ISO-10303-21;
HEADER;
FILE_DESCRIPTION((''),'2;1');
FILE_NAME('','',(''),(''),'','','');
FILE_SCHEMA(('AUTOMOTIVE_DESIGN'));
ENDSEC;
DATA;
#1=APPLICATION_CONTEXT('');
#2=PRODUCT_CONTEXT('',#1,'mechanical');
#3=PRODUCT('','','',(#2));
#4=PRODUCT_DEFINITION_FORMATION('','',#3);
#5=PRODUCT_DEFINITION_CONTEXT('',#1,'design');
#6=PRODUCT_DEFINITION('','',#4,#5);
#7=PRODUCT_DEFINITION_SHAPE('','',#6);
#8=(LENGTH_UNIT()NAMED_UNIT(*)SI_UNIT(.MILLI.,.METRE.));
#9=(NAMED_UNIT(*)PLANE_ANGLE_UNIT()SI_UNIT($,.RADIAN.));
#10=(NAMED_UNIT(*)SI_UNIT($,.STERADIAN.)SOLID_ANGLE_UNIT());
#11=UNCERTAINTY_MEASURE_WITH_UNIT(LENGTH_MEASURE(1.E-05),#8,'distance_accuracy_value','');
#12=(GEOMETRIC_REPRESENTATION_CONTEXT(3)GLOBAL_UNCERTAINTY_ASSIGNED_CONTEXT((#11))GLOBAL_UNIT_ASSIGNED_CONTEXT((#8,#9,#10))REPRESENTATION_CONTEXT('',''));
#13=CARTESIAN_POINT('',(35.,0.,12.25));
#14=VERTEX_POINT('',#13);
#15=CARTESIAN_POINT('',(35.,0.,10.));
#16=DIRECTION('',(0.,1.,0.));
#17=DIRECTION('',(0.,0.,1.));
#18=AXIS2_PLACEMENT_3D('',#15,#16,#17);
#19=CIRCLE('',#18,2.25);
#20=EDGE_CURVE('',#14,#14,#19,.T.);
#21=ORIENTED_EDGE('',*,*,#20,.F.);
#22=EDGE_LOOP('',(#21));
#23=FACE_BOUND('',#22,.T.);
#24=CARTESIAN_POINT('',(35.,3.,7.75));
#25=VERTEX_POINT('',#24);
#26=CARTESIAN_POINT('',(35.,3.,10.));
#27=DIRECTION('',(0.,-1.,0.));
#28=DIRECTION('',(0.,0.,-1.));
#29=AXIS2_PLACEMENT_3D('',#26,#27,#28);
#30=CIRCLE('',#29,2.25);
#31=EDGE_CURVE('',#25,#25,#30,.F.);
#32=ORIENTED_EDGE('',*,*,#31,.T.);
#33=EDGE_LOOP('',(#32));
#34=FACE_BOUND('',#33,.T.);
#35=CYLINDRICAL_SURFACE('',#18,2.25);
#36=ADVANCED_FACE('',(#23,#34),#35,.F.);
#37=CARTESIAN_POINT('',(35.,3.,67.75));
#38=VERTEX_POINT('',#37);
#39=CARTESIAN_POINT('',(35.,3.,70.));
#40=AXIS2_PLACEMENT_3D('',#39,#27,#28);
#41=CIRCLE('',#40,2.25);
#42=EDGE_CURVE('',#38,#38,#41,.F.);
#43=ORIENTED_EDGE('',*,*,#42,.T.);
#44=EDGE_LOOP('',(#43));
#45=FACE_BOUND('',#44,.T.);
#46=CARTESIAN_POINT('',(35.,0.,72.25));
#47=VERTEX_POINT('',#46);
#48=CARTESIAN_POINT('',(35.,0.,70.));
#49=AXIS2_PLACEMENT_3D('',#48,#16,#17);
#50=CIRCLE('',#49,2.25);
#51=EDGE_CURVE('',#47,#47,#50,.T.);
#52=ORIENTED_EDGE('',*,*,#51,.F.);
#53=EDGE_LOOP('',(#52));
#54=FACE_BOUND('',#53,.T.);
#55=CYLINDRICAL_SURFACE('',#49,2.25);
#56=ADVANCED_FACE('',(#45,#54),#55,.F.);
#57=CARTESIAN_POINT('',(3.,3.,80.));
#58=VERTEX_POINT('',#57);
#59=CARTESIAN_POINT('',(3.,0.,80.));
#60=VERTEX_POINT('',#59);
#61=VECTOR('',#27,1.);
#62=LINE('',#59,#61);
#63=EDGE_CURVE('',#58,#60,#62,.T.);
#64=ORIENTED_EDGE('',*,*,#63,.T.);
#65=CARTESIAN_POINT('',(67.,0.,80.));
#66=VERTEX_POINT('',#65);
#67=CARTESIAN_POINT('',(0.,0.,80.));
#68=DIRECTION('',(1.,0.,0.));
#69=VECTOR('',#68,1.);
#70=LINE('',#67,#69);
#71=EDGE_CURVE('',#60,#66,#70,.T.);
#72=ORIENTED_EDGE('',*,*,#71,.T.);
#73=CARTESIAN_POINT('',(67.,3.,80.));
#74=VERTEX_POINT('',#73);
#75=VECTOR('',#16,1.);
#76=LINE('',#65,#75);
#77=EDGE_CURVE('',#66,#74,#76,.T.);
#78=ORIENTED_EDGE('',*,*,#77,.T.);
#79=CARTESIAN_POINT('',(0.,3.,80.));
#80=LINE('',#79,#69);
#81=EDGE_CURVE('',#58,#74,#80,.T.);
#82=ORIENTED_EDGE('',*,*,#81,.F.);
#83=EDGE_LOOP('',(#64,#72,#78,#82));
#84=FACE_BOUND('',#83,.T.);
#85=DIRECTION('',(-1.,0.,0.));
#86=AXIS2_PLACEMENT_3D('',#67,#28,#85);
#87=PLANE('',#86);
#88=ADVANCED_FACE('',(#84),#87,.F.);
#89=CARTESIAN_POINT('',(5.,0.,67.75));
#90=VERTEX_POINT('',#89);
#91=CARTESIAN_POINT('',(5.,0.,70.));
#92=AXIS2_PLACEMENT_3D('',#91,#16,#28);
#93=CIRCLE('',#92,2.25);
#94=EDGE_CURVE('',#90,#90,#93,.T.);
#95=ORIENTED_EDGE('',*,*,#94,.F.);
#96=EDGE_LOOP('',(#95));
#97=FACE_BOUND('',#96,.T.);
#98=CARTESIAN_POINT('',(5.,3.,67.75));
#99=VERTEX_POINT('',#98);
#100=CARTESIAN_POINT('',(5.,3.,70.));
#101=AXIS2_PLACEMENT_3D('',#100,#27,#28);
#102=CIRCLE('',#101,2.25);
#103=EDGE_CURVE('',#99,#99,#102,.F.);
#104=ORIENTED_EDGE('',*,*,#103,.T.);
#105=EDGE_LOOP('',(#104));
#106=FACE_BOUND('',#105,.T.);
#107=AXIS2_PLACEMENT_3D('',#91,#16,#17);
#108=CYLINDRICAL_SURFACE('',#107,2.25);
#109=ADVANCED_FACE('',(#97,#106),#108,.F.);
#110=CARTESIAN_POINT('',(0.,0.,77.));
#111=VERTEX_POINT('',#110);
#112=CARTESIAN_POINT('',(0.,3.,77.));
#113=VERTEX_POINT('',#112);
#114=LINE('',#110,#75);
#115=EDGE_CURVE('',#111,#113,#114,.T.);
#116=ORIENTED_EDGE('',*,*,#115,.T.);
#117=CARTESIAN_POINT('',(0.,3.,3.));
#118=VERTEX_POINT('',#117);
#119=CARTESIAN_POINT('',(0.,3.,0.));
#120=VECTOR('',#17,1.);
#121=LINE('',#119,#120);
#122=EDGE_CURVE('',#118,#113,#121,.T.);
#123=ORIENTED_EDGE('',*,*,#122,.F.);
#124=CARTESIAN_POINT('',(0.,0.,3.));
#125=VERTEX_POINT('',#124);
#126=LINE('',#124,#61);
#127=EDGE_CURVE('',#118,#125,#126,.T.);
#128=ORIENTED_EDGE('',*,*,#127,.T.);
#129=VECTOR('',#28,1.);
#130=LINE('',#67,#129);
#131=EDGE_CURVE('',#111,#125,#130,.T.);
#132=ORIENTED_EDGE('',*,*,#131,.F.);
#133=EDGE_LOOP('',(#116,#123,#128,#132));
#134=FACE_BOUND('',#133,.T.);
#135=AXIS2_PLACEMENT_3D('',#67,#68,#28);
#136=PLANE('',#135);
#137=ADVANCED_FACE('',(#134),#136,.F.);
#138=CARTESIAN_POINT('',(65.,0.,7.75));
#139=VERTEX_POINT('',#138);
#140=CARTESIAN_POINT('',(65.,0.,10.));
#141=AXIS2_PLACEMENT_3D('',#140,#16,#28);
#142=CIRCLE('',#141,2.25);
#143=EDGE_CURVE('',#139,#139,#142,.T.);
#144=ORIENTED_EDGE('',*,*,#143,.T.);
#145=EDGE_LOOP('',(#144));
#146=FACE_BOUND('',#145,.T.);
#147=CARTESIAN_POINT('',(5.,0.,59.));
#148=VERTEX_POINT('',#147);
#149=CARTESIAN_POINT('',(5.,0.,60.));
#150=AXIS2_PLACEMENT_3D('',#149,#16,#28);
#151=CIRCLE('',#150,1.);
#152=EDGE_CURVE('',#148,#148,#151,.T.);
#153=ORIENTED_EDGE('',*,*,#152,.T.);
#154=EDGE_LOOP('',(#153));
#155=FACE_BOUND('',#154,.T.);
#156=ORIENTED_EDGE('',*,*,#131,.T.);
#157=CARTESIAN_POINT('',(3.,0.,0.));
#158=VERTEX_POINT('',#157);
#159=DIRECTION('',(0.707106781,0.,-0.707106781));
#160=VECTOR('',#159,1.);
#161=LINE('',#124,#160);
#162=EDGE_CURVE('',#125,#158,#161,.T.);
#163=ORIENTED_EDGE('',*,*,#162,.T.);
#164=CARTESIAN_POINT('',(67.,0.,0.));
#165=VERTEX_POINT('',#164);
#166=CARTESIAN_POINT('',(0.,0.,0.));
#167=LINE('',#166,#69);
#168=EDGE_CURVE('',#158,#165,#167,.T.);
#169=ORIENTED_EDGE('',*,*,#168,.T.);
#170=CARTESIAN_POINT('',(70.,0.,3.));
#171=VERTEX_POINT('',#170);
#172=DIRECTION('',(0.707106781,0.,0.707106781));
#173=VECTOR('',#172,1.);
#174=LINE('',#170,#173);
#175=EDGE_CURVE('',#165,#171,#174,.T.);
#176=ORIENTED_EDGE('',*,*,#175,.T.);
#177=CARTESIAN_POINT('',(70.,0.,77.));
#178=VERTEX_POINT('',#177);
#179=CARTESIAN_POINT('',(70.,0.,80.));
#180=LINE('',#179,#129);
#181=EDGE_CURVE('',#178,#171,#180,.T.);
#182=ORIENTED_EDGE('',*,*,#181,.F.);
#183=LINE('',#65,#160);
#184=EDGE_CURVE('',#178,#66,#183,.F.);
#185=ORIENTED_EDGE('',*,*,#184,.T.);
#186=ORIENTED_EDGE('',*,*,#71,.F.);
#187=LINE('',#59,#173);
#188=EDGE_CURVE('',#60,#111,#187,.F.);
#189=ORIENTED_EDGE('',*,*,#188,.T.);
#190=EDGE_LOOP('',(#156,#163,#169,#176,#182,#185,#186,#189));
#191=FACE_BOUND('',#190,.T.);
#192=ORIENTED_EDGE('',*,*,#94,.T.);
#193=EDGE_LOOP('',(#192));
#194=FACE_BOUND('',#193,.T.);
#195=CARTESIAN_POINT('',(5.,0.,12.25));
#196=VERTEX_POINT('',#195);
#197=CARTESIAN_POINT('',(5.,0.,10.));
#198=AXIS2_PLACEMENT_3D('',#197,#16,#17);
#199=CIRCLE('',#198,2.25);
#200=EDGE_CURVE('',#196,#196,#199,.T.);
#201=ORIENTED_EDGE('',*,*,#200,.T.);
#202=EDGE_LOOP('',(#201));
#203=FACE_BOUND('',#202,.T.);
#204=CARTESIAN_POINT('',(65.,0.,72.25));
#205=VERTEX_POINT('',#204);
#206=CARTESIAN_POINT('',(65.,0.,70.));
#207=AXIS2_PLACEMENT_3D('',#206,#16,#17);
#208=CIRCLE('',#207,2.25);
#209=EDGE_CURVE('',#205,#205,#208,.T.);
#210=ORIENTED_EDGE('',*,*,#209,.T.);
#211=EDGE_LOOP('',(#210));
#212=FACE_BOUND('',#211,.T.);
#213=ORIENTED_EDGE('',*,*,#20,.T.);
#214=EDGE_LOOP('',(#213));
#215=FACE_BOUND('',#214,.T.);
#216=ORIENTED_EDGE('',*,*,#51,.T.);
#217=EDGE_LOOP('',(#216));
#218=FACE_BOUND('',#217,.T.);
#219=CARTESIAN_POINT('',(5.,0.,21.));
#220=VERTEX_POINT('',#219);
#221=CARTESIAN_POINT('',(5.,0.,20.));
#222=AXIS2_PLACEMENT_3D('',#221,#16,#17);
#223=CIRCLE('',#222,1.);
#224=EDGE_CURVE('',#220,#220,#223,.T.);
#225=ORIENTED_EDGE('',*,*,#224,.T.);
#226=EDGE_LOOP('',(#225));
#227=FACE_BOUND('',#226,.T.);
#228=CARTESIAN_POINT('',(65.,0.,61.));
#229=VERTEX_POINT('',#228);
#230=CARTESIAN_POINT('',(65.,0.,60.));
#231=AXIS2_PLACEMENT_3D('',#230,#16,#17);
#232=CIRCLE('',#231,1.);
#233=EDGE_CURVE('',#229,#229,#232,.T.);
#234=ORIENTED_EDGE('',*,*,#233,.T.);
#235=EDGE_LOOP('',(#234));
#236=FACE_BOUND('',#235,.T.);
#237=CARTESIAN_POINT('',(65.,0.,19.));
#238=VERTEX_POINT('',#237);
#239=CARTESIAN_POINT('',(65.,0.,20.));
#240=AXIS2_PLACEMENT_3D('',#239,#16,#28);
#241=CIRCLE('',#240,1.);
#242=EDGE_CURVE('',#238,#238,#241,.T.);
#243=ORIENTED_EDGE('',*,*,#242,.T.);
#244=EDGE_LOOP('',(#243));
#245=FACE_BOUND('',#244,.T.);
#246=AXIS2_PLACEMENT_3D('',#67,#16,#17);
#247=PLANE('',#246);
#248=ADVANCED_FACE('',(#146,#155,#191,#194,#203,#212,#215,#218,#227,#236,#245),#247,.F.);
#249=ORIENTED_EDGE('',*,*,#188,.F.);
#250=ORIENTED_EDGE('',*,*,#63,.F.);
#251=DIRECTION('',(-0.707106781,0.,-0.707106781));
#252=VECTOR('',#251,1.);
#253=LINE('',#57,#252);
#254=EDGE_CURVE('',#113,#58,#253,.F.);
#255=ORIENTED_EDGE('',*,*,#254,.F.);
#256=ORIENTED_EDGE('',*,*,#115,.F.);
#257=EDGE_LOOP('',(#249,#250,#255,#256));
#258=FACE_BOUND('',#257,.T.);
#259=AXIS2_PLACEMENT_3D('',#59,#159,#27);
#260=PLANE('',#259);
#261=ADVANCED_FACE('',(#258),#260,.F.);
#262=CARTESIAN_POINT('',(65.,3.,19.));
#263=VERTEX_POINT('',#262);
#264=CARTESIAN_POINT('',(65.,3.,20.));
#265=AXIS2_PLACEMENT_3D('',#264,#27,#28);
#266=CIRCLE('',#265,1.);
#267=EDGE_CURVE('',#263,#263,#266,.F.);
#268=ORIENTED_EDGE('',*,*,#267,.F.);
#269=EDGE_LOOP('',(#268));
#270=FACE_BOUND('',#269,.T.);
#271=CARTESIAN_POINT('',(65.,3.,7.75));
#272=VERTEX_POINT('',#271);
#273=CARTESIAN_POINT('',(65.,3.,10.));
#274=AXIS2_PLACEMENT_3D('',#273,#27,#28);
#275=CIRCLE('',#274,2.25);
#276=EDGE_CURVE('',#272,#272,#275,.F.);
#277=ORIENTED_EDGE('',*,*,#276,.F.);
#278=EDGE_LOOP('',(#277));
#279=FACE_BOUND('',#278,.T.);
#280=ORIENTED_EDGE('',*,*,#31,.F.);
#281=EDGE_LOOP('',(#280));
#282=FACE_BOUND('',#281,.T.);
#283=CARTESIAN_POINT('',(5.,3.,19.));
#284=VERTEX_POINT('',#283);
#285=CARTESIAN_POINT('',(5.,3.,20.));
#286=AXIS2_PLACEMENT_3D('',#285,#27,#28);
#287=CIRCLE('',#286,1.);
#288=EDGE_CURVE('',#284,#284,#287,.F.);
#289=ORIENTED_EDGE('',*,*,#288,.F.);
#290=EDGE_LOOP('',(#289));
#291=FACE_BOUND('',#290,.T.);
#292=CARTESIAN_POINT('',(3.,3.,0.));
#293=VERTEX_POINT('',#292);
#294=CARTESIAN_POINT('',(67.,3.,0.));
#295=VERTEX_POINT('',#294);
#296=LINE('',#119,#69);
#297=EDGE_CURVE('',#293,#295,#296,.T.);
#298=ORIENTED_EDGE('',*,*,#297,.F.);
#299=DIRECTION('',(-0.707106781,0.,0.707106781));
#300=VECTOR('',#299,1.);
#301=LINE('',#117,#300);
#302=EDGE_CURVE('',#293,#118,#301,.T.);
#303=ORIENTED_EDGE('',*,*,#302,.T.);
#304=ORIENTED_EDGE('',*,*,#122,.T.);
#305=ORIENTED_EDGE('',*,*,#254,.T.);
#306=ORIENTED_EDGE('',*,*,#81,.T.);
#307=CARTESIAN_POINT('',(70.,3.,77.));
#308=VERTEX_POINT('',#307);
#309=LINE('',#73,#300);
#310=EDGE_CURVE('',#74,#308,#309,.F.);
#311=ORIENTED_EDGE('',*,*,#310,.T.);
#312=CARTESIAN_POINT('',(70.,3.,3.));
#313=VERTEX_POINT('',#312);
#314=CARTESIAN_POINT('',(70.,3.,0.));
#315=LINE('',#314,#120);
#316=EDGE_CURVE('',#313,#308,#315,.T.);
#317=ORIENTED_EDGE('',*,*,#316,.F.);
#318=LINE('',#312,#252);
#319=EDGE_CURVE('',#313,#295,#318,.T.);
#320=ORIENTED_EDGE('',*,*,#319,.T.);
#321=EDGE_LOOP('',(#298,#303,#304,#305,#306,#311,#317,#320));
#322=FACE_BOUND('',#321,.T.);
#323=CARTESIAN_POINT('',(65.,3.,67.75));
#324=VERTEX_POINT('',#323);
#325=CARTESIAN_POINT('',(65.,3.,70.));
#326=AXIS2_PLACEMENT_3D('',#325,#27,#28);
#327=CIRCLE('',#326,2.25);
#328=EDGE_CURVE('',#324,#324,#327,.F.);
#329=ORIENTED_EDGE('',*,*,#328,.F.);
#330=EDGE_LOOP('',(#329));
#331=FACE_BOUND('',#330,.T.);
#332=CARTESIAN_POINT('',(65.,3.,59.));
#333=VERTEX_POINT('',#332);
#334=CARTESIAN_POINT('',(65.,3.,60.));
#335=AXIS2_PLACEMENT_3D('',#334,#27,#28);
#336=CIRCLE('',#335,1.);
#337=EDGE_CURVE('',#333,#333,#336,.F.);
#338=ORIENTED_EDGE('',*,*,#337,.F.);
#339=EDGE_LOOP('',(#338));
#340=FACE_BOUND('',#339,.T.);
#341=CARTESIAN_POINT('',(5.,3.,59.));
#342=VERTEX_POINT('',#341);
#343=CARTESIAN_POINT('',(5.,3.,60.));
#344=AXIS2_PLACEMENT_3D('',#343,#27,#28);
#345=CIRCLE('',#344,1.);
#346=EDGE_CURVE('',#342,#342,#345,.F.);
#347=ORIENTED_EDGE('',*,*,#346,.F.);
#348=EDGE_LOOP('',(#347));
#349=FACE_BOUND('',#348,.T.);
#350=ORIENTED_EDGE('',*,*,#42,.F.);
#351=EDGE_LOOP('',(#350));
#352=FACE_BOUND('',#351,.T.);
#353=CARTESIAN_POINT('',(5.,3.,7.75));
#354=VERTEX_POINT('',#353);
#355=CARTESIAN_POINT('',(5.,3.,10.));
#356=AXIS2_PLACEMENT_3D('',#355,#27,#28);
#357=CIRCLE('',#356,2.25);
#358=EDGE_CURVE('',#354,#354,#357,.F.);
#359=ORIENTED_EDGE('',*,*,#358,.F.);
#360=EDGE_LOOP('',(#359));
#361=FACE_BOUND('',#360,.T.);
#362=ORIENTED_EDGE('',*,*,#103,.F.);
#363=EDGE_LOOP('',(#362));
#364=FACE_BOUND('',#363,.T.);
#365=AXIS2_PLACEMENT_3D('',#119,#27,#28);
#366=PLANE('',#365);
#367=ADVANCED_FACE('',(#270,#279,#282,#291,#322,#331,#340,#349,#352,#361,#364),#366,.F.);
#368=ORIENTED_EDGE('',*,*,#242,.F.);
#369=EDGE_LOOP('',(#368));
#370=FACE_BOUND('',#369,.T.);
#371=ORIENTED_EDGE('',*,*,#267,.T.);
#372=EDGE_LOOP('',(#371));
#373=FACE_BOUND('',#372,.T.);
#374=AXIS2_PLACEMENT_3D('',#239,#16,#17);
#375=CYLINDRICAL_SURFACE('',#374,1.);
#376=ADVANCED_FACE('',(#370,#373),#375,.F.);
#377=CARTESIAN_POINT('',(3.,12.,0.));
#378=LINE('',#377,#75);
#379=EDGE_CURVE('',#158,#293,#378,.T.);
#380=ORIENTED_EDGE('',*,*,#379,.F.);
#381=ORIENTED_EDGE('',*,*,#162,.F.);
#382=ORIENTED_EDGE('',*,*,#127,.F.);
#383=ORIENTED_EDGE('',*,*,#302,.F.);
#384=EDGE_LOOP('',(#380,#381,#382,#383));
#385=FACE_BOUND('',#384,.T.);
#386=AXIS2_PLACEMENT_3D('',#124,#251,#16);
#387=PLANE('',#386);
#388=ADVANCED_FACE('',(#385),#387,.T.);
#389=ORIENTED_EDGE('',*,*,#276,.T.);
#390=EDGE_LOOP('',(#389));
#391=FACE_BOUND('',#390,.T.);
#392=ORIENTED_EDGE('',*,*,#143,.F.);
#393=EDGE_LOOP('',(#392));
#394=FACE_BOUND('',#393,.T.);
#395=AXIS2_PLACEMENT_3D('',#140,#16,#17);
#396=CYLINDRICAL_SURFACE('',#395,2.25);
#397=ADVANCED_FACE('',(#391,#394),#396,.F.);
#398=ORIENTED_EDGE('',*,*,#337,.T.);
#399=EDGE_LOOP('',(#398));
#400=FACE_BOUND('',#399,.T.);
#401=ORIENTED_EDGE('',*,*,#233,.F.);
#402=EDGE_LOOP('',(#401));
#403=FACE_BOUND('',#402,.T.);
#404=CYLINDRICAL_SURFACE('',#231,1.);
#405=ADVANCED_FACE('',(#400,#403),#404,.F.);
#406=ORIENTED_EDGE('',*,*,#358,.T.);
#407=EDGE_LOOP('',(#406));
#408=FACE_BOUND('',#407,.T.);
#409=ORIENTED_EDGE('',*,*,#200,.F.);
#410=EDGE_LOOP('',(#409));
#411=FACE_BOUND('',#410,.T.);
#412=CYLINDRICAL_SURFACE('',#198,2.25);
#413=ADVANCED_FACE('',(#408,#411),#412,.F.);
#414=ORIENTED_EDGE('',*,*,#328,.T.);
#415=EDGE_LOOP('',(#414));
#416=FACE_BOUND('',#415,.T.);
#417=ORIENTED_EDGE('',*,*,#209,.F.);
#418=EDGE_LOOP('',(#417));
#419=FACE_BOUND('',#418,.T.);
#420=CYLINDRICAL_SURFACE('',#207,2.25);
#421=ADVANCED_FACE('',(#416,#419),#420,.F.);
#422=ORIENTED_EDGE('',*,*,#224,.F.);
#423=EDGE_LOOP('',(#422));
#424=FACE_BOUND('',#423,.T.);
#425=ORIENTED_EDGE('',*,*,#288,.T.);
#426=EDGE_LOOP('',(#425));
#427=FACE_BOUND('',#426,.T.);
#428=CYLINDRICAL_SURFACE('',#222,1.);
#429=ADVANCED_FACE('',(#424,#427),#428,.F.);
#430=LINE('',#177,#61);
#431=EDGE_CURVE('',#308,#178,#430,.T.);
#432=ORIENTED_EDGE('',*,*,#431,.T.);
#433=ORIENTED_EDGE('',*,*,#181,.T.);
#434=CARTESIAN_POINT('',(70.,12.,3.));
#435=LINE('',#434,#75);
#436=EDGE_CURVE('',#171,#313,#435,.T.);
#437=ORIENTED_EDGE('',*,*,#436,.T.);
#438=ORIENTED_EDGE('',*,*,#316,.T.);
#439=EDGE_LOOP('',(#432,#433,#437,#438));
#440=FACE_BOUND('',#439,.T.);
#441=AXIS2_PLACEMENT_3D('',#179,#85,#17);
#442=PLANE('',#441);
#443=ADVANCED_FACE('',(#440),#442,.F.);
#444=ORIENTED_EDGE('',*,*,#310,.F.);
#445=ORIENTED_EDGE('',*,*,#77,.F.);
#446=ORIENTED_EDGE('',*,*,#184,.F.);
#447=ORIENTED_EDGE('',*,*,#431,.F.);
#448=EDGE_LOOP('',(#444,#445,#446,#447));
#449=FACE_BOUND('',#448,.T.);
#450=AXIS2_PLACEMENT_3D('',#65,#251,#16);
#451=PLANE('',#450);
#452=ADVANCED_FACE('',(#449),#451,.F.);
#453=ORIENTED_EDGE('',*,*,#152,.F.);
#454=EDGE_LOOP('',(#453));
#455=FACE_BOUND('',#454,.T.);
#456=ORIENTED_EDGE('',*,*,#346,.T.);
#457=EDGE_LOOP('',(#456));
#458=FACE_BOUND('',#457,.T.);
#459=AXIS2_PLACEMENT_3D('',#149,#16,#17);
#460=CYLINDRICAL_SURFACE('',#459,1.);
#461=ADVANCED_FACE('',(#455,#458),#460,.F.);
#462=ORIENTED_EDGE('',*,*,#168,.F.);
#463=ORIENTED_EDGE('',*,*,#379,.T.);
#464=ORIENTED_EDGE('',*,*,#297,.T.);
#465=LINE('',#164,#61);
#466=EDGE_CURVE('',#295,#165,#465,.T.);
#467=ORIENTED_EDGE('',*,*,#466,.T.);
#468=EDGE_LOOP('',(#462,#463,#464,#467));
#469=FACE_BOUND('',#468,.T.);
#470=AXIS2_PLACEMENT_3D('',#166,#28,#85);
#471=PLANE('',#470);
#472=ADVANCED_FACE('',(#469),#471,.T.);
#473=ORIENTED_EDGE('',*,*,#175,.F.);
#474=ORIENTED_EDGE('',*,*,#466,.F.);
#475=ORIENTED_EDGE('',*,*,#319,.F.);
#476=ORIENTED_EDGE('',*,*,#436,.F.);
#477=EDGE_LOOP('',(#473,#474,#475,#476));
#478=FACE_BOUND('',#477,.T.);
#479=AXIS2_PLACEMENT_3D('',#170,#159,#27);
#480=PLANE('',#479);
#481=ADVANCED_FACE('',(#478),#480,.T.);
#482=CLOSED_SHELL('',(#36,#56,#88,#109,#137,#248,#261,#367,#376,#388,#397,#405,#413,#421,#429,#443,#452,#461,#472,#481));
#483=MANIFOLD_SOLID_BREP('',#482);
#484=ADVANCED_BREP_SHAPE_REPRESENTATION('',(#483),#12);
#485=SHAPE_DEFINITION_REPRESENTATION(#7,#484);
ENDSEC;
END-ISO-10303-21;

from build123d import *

# Parameters (mm, degrees)
ESQUISSE1_W             = 70
ESQUISSE1_H             = 12
BOSS_EXTRU_1_DEPTH      = 80
ESQUISSE2_W             = 12
ESQUISSE2_H             = 6
ENL_V_MAT_EXTRU_1_DEPTH = 107.976632963
ESQUISSE4_R             = 2.25
ENL_V_MAT_EXTRU_3_DEPTH = 107.976632963
ESQUISSE5_W             = 12
ESQUISSE5_H             = 10
BOSS_EXTRU_2_DEPTH      = 6
CHANFREIN1_SIZE         = 3
ESQUISSE6_R             = 1
ENL_V_MAT_EXTRU_4_DEPTH = 12
ESQUISSE8_W             = 70
ESQUISSE8_H             = 9
ENL_V_MAT_EXTRU_8_DEPTH = 80


with BuildPart() as part:
    # Esquisse1 → Boss.-Extru.1 (new body)
    with BuildSketch(Plane.XY):
        with Locations((35, 6)):
            Rectangle(ESQUISSE1_W, ESQUISSE1_H)
    extrude(amount=BOSS_EXTRU_1_DEPTH)

    # Esquisse2 → Enlèv. mat.-Extru.1 (cut, through all)
    with BuildSketch(Plane.XY.offset(80)):
        with Locations((52.5, 9)):
            Rectangle(ESQUISSE2_W, ESQUISSE2_H)
        with Locations((17.5, 9)):
            Rectangle(ESQUISSE2_W, ESQUISSE2_H)
    extrude(amount=-ENL_V_MAT_EXTRU_1_DEPTH, mode=Mode.SUBTRACT)

    # Esquisse4 → Enlèv. mat.-Extru.3 (cut, through all)
    with BuildSketch(Plane(origin=(0, 12, 0), x_dir=(1, 0, 0), z_dir=(0, 1, 0))):
        with Locations(Location((5, -10, 0), (0, 0, 270))):
            Circle(ESQUISSE4_R)
        with Locations(Location((65, -70, 0), (0, 0, 270))):
            Circle(ESQUISSE4_R)
        with Locations(Location((65, -10, 0), (0, 0, 90))):
            Circle(ESQUISSE4_R)
        with Locations(Location((5, -70, 0), (0, 0, 90))):
            Circle(ESQUISSE4_R)
        with Locations(Location((35, -10, 0), (0, 0, 270))):
            Circle(ESQUISSE4_R)
        with Locations(Location((35, -70, 0), (0, 0, 270))):
            Circle(ESQUISSE4_R)
    extrude(amount=-ENL_V_MAT_EXTRU_3_DEPTH, mode=Mode.SUBTRACT)

    # Esquisse5 → Boss.-Extru.2 (add)
    with BuildSketch(Plane(origin=(0, 12, 0), x_dir=(1, 0, 0), z_dir=(0, 1, 0))):
        with Locations((17.5, -75)):
            Rectangle(ESQUISSE5_W, ESQUISSE5_H)
        with Locations((52.5, -75)):
            Rectangle(ESQUISSE5_W, ESQUISSE5_H)
        with Locations((52.5, -5)):
            Rectangle(ESQUISSE5_W, ESQUISSE5_H)
        with Locations((17.5, -5)):
            Rectangle(ESQUISSE5_W, ESQUISSE5_H)
    extrude(amount=-BOSS_EXTRU_2_DEPTH)

    # Chanfrein1
    chanfrein1_edges = [part.edges().sort_by_distance(p)[0] for p in [
        (70, 6, 80),
        (0, 6, 80),
        (70, 6, 0),
        (0, 6, 0),
    ]]
    chamfer(chanfrein1_edges, length=CHANFREIN1_SIZE)

    # Esquisse6 → Enlèv. mat.-Extru.4 (cut)
    with BuildSketch(Plane(origin=(0, 12, 0), x_dir=(1, 0, 0), z_dir=(0, 1, 0))):
        with Locations(Location((5, -20, 0), (0, 0, 270))):
            Circle(ESQUISSE6_R)
        with Locations(Location((5, -60, 0), (0, 0, 90))):
            Circle(ESQUISSE6_R)
        with Locations(Location((65, -60, 0), (0, 0, 270))):
            Circle(ESQUISSE6_R)
        with Locations(Location((65, -20, 0), (0, 0, 90))):
            Circle(ESQUISSE6_R)
    extrude(amount=-ENL_V_MAT_EXTRU_4_DEPTH, mode=Mode.SUBTRACT)

    # Esquisse8 → Enlèv. mat.-Extru.8 (cut)
    with BuildSketch(Plane.XY.offset(80)):
        with Locations((35, 7.5)):
            Rectangle(ESQUISSE8_W, ESQUISSE8_H)
    extrude(amount=-ENL_V_MAT_EXTRU_8_DEPTH, mode=Mode.SUBTRACT)


solid = part.part
